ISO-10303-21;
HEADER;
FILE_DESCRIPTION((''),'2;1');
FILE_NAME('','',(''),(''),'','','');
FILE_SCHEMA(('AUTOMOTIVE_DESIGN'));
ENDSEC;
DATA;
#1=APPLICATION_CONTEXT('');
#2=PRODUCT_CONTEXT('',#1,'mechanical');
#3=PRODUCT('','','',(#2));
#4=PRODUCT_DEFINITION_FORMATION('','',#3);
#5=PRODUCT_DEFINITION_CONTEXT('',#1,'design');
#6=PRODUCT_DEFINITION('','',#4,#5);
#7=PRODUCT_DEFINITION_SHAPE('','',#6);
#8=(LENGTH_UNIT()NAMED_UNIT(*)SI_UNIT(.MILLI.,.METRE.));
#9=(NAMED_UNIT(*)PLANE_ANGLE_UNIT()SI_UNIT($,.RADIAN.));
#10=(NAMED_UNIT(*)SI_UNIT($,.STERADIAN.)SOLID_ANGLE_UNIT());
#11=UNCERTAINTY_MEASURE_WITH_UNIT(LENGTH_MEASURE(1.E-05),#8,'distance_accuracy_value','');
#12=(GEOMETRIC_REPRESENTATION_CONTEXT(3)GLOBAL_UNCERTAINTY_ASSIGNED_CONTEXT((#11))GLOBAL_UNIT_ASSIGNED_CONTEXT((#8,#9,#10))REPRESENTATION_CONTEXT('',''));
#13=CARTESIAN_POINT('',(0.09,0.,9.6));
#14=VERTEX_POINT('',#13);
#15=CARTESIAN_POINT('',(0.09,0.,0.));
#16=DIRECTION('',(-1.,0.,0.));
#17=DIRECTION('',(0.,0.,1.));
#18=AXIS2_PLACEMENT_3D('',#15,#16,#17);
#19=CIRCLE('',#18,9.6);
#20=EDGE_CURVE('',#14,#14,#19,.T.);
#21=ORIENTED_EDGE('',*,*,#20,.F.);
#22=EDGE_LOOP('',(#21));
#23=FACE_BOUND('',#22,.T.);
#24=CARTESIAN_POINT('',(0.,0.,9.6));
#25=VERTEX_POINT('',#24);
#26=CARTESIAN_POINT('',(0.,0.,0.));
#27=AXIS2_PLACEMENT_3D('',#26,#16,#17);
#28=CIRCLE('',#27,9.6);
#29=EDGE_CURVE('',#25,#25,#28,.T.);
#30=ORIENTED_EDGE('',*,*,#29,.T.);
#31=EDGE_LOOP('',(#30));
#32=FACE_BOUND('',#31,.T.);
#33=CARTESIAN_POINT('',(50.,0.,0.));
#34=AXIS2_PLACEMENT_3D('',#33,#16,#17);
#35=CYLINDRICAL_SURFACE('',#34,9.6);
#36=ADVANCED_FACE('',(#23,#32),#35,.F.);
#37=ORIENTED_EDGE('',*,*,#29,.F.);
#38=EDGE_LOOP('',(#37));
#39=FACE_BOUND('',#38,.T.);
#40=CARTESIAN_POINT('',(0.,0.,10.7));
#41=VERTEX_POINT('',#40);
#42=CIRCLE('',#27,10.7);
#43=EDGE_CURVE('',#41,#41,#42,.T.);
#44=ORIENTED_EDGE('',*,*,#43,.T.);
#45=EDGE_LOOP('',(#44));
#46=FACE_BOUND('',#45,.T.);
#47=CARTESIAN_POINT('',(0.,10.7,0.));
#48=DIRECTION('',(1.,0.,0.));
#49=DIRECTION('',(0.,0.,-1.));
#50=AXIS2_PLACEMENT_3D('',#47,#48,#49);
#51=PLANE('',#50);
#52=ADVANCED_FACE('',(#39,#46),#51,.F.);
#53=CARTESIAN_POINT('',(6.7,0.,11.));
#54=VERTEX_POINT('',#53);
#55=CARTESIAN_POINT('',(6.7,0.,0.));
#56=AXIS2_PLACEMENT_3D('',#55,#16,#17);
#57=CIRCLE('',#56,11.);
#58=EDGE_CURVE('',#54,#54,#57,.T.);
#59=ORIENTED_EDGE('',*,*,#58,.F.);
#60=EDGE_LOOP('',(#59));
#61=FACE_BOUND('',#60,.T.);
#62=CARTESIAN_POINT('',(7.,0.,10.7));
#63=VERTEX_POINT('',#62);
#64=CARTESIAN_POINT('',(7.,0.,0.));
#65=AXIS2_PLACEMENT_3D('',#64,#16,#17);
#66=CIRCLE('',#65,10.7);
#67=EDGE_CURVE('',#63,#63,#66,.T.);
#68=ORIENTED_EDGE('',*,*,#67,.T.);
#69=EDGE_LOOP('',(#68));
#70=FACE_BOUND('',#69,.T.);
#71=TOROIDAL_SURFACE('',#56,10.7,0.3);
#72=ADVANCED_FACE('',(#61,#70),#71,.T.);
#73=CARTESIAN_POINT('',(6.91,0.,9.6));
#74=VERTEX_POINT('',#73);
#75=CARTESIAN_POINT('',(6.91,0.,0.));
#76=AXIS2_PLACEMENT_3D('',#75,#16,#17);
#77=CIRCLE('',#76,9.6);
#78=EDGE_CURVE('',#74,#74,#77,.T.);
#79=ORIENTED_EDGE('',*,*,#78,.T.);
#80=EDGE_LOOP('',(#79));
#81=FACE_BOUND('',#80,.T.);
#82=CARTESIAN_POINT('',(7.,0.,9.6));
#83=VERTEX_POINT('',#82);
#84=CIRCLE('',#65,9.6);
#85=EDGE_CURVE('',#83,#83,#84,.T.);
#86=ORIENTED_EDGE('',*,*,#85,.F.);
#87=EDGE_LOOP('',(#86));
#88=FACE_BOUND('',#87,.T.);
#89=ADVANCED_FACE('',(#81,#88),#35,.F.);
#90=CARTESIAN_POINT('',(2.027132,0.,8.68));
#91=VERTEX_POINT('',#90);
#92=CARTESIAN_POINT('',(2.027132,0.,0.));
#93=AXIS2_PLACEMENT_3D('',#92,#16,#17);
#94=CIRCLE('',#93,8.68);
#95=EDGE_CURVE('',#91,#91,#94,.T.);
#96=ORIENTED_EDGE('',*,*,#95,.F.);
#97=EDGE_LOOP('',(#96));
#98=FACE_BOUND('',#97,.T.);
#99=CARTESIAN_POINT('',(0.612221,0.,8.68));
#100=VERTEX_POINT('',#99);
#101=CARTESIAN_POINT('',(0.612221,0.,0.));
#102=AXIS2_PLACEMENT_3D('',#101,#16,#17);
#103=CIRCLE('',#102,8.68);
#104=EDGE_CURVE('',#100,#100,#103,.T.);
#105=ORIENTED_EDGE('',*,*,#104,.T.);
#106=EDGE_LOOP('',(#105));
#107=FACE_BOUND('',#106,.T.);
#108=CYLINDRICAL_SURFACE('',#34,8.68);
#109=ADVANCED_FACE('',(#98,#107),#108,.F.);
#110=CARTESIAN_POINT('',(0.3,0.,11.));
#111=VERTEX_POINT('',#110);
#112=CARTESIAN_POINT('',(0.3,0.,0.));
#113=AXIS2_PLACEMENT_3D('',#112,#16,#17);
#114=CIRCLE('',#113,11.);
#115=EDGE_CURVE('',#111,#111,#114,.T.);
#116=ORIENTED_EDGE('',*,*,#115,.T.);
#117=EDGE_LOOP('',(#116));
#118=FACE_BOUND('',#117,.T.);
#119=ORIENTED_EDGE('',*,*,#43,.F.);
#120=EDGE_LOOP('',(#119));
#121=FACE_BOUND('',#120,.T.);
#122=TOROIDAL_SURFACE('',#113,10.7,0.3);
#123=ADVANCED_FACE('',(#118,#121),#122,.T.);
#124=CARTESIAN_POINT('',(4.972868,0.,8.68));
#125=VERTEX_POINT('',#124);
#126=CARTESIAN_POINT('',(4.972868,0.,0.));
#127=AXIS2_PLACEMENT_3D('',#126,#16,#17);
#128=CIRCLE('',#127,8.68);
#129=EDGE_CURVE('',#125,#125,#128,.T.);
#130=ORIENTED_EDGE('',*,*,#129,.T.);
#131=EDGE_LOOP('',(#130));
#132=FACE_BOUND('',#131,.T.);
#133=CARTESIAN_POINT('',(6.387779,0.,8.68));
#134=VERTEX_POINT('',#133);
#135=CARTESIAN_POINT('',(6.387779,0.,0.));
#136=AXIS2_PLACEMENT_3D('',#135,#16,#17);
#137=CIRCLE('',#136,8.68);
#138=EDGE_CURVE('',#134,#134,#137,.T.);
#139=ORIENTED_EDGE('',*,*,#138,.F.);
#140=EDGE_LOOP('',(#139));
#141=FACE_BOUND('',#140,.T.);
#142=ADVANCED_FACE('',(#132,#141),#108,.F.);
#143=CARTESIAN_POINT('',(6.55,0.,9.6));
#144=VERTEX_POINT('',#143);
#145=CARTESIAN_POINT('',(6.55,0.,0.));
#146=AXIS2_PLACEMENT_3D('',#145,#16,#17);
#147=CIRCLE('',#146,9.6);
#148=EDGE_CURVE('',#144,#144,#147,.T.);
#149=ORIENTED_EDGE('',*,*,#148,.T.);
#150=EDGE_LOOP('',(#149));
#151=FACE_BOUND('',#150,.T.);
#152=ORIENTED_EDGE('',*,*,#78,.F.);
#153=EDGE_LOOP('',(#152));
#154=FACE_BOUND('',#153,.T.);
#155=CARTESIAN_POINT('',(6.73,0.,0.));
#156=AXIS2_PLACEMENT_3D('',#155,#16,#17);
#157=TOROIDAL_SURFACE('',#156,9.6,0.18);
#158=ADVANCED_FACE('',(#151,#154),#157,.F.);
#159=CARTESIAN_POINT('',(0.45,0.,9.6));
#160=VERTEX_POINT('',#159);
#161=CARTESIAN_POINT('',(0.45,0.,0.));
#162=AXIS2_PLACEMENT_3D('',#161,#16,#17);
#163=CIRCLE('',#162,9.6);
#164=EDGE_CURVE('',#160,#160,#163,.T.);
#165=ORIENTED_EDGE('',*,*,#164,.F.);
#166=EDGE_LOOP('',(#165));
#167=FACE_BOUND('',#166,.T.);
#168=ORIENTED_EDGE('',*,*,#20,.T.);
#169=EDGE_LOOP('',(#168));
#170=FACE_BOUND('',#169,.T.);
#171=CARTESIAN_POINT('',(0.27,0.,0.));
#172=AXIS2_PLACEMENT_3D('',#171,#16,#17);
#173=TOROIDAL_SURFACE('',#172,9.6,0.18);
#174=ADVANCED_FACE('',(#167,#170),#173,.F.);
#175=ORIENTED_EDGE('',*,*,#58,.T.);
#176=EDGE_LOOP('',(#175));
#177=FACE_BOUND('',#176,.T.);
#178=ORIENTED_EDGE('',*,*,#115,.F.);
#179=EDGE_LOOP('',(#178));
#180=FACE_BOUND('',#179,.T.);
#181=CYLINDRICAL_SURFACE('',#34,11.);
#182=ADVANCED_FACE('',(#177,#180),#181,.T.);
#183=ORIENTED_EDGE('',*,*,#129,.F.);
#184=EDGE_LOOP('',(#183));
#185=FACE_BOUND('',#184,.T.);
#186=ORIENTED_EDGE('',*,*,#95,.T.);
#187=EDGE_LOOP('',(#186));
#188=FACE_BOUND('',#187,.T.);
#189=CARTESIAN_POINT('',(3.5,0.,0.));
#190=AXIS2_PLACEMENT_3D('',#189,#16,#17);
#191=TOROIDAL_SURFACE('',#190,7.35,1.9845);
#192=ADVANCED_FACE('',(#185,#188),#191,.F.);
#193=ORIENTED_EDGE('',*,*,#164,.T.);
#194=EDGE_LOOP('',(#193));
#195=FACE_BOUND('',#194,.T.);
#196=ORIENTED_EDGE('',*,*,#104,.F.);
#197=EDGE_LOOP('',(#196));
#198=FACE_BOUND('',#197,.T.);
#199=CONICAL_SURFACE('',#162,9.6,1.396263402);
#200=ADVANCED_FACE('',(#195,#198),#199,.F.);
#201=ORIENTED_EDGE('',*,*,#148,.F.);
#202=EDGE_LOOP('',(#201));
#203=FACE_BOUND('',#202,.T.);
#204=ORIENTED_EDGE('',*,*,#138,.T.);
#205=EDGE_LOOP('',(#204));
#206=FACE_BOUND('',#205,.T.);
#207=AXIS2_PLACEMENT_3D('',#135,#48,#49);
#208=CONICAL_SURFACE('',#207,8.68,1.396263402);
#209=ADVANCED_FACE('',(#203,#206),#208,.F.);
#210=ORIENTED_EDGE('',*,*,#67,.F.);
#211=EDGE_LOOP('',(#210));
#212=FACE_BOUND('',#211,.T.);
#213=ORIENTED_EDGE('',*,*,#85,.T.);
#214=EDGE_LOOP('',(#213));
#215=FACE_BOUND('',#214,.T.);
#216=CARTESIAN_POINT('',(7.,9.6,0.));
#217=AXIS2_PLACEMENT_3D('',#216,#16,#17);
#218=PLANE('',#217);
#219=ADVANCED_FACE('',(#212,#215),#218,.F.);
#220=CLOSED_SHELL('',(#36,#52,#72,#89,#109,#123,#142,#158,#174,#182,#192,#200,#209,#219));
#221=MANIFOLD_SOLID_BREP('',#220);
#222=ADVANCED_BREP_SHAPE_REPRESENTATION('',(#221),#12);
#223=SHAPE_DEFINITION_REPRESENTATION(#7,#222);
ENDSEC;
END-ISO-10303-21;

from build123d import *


with BuildPart() as part:
    # Skizze1 → Rotation1 (revolve)
    with BuildSketch(Plane.XY):
        with BuildLine():
            Line((0, 9.6), (0.09, 9.6))
            ThreePointArc((0.09, 9.6), (0.27, 9.78), (0.45, 9.6))
            Line((0.45, 9.6), (0.612220822, 8.68))
            Line((0.612220822, 8.68), (2.027131964, 8.68))
            ThreePointArc((2.027131964, 8.68), (3.5, 9.3345), (4.972868036, 8.68))
            Line((4.972868036, 8.68), (6.387779178, 8.68))
            Line((6.387779178, 8.68), (6.55, 9.6))
            ThreePointArc((6.55, 9.6), (6.73, 9.780000009), (6.91, 9.6))
            Line((6.91, 9.6), (7, 9.6))
            Line((7, 9.6), (7, 10.7))
            ThreePointArc((7, 10.7), (6.912132034, 10.912132034), (6.7, 11))
            Line((6.7, 11), (0.3, 11))
            ThreePointArc((0.3, 11), (0.087867966, 10.912132034), (0, 10.7))
            Line((0, 10.7), (0, 9.6))
        make_face()
    revolve(axis=Axis((50, 0, 0), (-1, 0, 0)))


solid = part.part
